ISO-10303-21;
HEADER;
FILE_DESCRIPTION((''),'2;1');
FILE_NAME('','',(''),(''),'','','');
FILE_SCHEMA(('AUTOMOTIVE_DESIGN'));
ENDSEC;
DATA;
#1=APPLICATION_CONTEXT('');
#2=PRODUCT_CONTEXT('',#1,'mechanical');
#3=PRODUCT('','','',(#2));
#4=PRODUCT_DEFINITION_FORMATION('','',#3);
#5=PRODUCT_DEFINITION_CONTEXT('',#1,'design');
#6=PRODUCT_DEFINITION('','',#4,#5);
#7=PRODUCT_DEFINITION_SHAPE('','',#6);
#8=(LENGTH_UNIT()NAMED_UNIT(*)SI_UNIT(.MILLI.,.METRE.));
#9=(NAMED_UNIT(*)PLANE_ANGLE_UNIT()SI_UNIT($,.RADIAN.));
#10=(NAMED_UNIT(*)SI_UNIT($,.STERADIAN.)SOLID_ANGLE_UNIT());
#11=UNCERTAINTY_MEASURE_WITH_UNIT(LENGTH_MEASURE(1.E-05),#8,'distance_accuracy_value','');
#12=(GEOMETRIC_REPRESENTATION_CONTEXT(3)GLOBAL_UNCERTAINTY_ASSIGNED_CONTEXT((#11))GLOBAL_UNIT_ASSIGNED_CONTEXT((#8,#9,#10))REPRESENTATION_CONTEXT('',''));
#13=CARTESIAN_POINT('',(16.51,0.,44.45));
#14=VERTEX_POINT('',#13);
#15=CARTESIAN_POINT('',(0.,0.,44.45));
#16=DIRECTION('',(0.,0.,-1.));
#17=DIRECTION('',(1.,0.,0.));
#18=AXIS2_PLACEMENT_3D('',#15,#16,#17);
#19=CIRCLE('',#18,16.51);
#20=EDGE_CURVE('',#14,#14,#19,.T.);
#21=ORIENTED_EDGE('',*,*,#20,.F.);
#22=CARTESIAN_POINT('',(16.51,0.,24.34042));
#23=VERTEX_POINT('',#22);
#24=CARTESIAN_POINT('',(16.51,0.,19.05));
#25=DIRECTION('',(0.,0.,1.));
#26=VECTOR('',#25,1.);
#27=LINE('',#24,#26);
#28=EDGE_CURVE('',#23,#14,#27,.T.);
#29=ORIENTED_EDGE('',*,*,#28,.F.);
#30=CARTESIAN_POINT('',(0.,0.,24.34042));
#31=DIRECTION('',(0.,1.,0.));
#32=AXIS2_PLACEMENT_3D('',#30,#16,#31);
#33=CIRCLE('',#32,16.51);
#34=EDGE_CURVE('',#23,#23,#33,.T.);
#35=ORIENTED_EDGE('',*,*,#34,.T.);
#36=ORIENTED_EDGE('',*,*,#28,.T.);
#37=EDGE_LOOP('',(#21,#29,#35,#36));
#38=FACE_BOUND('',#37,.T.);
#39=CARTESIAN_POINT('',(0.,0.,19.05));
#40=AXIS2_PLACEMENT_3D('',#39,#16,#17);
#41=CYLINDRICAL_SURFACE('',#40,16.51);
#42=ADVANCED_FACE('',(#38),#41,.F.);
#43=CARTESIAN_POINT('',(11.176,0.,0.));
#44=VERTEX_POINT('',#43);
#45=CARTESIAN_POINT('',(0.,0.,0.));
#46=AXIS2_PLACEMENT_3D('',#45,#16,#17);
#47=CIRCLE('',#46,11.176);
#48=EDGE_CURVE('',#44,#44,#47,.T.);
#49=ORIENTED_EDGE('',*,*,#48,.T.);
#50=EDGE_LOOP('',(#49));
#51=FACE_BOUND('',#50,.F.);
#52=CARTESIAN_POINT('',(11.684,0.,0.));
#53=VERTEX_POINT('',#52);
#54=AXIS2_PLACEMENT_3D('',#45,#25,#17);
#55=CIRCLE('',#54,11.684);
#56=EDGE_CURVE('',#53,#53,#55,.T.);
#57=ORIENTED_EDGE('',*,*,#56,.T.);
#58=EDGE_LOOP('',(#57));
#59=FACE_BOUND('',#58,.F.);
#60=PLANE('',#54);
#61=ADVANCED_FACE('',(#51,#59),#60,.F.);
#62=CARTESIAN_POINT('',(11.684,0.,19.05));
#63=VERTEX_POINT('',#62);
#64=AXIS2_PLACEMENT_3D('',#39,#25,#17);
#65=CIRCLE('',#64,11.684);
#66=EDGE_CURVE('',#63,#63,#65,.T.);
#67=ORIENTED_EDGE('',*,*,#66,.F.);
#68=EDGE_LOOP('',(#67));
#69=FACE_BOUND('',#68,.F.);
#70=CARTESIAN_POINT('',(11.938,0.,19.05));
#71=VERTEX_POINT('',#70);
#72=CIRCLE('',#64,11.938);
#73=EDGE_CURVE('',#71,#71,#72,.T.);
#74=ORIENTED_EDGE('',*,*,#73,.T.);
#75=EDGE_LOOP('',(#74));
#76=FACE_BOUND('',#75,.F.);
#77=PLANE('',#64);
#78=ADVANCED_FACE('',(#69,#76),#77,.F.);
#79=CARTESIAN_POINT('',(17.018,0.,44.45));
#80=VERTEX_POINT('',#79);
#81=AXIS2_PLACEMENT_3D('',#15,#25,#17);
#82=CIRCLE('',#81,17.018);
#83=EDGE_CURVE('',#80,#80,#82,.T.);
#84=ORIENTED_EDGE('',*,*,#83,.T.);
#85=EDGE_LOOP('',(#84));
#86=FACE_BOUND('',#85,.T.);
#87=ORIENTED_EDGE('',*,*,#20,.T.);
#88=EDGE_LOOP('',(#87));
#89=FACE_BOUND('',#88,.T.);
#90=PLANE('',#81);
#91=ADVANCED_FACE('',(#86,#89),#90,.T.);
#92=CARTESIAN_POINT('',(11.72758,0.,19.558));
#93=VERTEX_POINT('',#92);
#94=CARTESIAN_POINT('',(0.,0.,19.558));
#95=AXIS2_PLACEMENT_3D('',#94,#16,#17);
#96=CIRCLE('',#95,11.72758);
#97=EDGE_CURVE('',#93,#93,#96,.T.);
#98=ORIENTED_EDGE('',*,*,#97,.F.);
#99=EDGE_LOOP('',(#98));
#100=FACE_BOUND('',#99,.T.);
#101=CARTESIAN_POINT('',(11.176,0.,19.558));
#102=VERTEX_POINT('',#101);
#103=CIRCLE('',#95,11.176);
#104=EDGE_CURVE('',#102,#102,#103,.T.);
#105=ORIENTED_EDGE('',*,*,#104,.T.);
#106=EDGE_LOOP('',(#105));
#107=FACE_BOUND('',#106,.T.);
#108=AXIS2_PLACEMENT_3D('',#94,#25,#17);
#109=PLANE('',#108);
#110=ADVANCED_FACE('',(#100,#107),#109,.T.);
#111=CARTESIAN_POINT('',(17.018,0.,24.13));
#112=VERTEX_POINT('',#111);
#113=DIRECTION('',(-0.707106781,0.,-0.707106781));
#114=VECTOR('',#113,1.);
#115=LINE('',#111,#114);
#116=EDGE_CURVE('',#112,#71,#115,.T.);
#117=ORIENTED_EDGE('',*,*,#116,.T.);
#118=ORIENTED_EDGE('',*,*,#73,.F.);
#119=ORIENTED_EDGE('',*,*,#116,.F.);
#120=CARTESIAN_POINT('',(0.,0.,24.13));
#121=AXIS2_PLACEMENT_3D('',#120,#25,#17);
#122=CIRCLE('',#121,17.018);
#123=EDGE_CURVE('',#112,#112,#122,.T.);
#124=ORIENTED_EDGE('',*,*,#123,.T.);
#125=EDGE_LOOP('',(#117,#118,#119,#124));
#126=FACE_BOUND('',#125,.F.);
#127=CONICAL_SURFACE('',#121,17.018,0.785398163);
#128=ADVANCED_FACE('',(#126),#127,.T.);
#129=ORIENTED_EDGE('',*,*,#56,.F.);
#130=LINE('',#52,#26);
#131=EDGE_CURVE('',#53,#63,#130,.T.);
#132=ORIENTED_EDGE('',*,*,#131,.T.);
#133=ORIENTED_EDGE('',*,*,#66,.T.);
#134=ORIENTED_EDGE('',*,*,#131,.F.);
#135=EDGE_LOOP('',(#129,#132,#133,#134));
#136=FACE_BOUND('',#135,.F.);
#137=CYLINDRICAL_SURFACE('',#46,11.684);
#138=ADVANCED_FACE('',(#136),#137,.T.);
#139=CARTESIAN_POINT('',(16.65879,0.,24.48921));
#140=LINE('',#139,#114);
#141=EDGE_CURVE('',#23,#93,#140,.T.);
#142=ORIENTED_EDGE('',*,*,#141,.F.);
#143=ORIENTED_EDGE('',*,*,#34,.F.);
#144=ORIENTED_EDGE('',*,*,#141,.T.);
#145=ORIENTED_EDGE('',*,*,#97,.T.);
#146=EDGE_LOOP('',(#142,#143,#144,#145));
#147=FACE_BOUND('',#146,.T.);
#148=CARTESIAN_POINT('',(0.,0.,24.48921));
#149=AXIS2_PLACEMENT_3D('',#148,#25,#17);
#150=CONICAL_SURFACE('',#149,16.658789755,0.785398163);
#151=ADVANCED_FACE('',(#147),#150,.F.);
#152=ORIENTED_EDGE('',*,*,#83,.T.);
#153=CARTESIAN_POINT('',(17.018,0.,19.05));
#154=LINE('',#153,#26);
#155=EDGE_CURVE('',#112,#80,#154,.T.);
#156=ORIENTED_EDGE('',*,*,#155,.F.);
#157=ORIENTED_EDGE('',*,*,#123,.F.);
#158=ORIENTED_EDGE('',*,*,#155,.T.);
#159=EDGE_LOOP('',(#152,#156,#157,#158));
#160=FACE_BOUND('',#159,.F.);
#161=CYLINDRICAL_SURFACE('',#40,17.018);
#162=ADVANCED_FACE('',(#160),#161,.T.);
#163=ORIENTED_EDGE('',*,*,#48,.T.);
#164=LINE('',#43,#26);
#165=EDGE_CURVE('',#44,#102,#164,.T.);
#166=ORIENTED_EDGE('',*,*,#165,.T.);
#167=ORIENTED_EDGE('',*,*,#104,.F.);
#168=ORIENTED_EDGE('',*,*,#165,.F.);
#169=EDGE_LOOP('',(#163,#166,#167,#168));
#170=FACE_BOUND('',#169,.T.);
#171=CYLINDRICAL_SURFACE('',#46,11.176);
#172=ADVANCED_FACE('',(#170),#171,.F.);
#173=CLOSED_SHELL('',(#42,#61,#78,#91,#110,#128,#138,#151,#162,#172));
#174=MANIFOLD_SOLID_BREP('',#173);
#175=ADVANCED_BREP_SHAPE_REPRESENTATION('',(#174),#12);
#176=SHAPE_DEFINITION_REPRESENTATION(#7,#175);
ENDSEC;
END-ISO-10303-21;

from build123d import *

# Parameters (mm, degrees)
F0_R     = 11.684
F1_DEPTH = 19.05
F2_R     = 17.018
F2_R_2   = 11.684
F3_DEPTH = 25.4
F4_SIZE2 = 5.08
F4_SIZE  = 5.08
F5_T     = -0.508


with BuildPart() as f1:
    # F0 (on Top) → F1 (new body)
    with BuildSketch(Plane.XY):
        Circle(F0_R)
    extrude(amount=F1_DEPTH)

    # F2 (on face) → F3 (join)
    with BuildSketch(Plane.XY.offset(19.05)):
        Circle(F2_R)
        Circle(F2_R_2, mode=Mode.SUBTRACT)
        Circle(F2_R_2)
    extrude(amount=F3_DEPTH)

    # F4
    f4_edges = [f1.edges().sort_by_distance(p)[0] for p in [
        (-17.018, 0, 19.05),
    ]]
    chamfer(f4_edges, length=F4_SIZE, length2=F4_SIZE2)

    # F5
    f5_openings = [f1.faces().sort_by_distance(p)[0] for p in [
        (0, 0, 44.45),
        (0, 0, 0),
    ]]
    offset(amount=F5_T, openings=f5_openings, kind=Kind.INTERSECTION)


solid = f1.part
